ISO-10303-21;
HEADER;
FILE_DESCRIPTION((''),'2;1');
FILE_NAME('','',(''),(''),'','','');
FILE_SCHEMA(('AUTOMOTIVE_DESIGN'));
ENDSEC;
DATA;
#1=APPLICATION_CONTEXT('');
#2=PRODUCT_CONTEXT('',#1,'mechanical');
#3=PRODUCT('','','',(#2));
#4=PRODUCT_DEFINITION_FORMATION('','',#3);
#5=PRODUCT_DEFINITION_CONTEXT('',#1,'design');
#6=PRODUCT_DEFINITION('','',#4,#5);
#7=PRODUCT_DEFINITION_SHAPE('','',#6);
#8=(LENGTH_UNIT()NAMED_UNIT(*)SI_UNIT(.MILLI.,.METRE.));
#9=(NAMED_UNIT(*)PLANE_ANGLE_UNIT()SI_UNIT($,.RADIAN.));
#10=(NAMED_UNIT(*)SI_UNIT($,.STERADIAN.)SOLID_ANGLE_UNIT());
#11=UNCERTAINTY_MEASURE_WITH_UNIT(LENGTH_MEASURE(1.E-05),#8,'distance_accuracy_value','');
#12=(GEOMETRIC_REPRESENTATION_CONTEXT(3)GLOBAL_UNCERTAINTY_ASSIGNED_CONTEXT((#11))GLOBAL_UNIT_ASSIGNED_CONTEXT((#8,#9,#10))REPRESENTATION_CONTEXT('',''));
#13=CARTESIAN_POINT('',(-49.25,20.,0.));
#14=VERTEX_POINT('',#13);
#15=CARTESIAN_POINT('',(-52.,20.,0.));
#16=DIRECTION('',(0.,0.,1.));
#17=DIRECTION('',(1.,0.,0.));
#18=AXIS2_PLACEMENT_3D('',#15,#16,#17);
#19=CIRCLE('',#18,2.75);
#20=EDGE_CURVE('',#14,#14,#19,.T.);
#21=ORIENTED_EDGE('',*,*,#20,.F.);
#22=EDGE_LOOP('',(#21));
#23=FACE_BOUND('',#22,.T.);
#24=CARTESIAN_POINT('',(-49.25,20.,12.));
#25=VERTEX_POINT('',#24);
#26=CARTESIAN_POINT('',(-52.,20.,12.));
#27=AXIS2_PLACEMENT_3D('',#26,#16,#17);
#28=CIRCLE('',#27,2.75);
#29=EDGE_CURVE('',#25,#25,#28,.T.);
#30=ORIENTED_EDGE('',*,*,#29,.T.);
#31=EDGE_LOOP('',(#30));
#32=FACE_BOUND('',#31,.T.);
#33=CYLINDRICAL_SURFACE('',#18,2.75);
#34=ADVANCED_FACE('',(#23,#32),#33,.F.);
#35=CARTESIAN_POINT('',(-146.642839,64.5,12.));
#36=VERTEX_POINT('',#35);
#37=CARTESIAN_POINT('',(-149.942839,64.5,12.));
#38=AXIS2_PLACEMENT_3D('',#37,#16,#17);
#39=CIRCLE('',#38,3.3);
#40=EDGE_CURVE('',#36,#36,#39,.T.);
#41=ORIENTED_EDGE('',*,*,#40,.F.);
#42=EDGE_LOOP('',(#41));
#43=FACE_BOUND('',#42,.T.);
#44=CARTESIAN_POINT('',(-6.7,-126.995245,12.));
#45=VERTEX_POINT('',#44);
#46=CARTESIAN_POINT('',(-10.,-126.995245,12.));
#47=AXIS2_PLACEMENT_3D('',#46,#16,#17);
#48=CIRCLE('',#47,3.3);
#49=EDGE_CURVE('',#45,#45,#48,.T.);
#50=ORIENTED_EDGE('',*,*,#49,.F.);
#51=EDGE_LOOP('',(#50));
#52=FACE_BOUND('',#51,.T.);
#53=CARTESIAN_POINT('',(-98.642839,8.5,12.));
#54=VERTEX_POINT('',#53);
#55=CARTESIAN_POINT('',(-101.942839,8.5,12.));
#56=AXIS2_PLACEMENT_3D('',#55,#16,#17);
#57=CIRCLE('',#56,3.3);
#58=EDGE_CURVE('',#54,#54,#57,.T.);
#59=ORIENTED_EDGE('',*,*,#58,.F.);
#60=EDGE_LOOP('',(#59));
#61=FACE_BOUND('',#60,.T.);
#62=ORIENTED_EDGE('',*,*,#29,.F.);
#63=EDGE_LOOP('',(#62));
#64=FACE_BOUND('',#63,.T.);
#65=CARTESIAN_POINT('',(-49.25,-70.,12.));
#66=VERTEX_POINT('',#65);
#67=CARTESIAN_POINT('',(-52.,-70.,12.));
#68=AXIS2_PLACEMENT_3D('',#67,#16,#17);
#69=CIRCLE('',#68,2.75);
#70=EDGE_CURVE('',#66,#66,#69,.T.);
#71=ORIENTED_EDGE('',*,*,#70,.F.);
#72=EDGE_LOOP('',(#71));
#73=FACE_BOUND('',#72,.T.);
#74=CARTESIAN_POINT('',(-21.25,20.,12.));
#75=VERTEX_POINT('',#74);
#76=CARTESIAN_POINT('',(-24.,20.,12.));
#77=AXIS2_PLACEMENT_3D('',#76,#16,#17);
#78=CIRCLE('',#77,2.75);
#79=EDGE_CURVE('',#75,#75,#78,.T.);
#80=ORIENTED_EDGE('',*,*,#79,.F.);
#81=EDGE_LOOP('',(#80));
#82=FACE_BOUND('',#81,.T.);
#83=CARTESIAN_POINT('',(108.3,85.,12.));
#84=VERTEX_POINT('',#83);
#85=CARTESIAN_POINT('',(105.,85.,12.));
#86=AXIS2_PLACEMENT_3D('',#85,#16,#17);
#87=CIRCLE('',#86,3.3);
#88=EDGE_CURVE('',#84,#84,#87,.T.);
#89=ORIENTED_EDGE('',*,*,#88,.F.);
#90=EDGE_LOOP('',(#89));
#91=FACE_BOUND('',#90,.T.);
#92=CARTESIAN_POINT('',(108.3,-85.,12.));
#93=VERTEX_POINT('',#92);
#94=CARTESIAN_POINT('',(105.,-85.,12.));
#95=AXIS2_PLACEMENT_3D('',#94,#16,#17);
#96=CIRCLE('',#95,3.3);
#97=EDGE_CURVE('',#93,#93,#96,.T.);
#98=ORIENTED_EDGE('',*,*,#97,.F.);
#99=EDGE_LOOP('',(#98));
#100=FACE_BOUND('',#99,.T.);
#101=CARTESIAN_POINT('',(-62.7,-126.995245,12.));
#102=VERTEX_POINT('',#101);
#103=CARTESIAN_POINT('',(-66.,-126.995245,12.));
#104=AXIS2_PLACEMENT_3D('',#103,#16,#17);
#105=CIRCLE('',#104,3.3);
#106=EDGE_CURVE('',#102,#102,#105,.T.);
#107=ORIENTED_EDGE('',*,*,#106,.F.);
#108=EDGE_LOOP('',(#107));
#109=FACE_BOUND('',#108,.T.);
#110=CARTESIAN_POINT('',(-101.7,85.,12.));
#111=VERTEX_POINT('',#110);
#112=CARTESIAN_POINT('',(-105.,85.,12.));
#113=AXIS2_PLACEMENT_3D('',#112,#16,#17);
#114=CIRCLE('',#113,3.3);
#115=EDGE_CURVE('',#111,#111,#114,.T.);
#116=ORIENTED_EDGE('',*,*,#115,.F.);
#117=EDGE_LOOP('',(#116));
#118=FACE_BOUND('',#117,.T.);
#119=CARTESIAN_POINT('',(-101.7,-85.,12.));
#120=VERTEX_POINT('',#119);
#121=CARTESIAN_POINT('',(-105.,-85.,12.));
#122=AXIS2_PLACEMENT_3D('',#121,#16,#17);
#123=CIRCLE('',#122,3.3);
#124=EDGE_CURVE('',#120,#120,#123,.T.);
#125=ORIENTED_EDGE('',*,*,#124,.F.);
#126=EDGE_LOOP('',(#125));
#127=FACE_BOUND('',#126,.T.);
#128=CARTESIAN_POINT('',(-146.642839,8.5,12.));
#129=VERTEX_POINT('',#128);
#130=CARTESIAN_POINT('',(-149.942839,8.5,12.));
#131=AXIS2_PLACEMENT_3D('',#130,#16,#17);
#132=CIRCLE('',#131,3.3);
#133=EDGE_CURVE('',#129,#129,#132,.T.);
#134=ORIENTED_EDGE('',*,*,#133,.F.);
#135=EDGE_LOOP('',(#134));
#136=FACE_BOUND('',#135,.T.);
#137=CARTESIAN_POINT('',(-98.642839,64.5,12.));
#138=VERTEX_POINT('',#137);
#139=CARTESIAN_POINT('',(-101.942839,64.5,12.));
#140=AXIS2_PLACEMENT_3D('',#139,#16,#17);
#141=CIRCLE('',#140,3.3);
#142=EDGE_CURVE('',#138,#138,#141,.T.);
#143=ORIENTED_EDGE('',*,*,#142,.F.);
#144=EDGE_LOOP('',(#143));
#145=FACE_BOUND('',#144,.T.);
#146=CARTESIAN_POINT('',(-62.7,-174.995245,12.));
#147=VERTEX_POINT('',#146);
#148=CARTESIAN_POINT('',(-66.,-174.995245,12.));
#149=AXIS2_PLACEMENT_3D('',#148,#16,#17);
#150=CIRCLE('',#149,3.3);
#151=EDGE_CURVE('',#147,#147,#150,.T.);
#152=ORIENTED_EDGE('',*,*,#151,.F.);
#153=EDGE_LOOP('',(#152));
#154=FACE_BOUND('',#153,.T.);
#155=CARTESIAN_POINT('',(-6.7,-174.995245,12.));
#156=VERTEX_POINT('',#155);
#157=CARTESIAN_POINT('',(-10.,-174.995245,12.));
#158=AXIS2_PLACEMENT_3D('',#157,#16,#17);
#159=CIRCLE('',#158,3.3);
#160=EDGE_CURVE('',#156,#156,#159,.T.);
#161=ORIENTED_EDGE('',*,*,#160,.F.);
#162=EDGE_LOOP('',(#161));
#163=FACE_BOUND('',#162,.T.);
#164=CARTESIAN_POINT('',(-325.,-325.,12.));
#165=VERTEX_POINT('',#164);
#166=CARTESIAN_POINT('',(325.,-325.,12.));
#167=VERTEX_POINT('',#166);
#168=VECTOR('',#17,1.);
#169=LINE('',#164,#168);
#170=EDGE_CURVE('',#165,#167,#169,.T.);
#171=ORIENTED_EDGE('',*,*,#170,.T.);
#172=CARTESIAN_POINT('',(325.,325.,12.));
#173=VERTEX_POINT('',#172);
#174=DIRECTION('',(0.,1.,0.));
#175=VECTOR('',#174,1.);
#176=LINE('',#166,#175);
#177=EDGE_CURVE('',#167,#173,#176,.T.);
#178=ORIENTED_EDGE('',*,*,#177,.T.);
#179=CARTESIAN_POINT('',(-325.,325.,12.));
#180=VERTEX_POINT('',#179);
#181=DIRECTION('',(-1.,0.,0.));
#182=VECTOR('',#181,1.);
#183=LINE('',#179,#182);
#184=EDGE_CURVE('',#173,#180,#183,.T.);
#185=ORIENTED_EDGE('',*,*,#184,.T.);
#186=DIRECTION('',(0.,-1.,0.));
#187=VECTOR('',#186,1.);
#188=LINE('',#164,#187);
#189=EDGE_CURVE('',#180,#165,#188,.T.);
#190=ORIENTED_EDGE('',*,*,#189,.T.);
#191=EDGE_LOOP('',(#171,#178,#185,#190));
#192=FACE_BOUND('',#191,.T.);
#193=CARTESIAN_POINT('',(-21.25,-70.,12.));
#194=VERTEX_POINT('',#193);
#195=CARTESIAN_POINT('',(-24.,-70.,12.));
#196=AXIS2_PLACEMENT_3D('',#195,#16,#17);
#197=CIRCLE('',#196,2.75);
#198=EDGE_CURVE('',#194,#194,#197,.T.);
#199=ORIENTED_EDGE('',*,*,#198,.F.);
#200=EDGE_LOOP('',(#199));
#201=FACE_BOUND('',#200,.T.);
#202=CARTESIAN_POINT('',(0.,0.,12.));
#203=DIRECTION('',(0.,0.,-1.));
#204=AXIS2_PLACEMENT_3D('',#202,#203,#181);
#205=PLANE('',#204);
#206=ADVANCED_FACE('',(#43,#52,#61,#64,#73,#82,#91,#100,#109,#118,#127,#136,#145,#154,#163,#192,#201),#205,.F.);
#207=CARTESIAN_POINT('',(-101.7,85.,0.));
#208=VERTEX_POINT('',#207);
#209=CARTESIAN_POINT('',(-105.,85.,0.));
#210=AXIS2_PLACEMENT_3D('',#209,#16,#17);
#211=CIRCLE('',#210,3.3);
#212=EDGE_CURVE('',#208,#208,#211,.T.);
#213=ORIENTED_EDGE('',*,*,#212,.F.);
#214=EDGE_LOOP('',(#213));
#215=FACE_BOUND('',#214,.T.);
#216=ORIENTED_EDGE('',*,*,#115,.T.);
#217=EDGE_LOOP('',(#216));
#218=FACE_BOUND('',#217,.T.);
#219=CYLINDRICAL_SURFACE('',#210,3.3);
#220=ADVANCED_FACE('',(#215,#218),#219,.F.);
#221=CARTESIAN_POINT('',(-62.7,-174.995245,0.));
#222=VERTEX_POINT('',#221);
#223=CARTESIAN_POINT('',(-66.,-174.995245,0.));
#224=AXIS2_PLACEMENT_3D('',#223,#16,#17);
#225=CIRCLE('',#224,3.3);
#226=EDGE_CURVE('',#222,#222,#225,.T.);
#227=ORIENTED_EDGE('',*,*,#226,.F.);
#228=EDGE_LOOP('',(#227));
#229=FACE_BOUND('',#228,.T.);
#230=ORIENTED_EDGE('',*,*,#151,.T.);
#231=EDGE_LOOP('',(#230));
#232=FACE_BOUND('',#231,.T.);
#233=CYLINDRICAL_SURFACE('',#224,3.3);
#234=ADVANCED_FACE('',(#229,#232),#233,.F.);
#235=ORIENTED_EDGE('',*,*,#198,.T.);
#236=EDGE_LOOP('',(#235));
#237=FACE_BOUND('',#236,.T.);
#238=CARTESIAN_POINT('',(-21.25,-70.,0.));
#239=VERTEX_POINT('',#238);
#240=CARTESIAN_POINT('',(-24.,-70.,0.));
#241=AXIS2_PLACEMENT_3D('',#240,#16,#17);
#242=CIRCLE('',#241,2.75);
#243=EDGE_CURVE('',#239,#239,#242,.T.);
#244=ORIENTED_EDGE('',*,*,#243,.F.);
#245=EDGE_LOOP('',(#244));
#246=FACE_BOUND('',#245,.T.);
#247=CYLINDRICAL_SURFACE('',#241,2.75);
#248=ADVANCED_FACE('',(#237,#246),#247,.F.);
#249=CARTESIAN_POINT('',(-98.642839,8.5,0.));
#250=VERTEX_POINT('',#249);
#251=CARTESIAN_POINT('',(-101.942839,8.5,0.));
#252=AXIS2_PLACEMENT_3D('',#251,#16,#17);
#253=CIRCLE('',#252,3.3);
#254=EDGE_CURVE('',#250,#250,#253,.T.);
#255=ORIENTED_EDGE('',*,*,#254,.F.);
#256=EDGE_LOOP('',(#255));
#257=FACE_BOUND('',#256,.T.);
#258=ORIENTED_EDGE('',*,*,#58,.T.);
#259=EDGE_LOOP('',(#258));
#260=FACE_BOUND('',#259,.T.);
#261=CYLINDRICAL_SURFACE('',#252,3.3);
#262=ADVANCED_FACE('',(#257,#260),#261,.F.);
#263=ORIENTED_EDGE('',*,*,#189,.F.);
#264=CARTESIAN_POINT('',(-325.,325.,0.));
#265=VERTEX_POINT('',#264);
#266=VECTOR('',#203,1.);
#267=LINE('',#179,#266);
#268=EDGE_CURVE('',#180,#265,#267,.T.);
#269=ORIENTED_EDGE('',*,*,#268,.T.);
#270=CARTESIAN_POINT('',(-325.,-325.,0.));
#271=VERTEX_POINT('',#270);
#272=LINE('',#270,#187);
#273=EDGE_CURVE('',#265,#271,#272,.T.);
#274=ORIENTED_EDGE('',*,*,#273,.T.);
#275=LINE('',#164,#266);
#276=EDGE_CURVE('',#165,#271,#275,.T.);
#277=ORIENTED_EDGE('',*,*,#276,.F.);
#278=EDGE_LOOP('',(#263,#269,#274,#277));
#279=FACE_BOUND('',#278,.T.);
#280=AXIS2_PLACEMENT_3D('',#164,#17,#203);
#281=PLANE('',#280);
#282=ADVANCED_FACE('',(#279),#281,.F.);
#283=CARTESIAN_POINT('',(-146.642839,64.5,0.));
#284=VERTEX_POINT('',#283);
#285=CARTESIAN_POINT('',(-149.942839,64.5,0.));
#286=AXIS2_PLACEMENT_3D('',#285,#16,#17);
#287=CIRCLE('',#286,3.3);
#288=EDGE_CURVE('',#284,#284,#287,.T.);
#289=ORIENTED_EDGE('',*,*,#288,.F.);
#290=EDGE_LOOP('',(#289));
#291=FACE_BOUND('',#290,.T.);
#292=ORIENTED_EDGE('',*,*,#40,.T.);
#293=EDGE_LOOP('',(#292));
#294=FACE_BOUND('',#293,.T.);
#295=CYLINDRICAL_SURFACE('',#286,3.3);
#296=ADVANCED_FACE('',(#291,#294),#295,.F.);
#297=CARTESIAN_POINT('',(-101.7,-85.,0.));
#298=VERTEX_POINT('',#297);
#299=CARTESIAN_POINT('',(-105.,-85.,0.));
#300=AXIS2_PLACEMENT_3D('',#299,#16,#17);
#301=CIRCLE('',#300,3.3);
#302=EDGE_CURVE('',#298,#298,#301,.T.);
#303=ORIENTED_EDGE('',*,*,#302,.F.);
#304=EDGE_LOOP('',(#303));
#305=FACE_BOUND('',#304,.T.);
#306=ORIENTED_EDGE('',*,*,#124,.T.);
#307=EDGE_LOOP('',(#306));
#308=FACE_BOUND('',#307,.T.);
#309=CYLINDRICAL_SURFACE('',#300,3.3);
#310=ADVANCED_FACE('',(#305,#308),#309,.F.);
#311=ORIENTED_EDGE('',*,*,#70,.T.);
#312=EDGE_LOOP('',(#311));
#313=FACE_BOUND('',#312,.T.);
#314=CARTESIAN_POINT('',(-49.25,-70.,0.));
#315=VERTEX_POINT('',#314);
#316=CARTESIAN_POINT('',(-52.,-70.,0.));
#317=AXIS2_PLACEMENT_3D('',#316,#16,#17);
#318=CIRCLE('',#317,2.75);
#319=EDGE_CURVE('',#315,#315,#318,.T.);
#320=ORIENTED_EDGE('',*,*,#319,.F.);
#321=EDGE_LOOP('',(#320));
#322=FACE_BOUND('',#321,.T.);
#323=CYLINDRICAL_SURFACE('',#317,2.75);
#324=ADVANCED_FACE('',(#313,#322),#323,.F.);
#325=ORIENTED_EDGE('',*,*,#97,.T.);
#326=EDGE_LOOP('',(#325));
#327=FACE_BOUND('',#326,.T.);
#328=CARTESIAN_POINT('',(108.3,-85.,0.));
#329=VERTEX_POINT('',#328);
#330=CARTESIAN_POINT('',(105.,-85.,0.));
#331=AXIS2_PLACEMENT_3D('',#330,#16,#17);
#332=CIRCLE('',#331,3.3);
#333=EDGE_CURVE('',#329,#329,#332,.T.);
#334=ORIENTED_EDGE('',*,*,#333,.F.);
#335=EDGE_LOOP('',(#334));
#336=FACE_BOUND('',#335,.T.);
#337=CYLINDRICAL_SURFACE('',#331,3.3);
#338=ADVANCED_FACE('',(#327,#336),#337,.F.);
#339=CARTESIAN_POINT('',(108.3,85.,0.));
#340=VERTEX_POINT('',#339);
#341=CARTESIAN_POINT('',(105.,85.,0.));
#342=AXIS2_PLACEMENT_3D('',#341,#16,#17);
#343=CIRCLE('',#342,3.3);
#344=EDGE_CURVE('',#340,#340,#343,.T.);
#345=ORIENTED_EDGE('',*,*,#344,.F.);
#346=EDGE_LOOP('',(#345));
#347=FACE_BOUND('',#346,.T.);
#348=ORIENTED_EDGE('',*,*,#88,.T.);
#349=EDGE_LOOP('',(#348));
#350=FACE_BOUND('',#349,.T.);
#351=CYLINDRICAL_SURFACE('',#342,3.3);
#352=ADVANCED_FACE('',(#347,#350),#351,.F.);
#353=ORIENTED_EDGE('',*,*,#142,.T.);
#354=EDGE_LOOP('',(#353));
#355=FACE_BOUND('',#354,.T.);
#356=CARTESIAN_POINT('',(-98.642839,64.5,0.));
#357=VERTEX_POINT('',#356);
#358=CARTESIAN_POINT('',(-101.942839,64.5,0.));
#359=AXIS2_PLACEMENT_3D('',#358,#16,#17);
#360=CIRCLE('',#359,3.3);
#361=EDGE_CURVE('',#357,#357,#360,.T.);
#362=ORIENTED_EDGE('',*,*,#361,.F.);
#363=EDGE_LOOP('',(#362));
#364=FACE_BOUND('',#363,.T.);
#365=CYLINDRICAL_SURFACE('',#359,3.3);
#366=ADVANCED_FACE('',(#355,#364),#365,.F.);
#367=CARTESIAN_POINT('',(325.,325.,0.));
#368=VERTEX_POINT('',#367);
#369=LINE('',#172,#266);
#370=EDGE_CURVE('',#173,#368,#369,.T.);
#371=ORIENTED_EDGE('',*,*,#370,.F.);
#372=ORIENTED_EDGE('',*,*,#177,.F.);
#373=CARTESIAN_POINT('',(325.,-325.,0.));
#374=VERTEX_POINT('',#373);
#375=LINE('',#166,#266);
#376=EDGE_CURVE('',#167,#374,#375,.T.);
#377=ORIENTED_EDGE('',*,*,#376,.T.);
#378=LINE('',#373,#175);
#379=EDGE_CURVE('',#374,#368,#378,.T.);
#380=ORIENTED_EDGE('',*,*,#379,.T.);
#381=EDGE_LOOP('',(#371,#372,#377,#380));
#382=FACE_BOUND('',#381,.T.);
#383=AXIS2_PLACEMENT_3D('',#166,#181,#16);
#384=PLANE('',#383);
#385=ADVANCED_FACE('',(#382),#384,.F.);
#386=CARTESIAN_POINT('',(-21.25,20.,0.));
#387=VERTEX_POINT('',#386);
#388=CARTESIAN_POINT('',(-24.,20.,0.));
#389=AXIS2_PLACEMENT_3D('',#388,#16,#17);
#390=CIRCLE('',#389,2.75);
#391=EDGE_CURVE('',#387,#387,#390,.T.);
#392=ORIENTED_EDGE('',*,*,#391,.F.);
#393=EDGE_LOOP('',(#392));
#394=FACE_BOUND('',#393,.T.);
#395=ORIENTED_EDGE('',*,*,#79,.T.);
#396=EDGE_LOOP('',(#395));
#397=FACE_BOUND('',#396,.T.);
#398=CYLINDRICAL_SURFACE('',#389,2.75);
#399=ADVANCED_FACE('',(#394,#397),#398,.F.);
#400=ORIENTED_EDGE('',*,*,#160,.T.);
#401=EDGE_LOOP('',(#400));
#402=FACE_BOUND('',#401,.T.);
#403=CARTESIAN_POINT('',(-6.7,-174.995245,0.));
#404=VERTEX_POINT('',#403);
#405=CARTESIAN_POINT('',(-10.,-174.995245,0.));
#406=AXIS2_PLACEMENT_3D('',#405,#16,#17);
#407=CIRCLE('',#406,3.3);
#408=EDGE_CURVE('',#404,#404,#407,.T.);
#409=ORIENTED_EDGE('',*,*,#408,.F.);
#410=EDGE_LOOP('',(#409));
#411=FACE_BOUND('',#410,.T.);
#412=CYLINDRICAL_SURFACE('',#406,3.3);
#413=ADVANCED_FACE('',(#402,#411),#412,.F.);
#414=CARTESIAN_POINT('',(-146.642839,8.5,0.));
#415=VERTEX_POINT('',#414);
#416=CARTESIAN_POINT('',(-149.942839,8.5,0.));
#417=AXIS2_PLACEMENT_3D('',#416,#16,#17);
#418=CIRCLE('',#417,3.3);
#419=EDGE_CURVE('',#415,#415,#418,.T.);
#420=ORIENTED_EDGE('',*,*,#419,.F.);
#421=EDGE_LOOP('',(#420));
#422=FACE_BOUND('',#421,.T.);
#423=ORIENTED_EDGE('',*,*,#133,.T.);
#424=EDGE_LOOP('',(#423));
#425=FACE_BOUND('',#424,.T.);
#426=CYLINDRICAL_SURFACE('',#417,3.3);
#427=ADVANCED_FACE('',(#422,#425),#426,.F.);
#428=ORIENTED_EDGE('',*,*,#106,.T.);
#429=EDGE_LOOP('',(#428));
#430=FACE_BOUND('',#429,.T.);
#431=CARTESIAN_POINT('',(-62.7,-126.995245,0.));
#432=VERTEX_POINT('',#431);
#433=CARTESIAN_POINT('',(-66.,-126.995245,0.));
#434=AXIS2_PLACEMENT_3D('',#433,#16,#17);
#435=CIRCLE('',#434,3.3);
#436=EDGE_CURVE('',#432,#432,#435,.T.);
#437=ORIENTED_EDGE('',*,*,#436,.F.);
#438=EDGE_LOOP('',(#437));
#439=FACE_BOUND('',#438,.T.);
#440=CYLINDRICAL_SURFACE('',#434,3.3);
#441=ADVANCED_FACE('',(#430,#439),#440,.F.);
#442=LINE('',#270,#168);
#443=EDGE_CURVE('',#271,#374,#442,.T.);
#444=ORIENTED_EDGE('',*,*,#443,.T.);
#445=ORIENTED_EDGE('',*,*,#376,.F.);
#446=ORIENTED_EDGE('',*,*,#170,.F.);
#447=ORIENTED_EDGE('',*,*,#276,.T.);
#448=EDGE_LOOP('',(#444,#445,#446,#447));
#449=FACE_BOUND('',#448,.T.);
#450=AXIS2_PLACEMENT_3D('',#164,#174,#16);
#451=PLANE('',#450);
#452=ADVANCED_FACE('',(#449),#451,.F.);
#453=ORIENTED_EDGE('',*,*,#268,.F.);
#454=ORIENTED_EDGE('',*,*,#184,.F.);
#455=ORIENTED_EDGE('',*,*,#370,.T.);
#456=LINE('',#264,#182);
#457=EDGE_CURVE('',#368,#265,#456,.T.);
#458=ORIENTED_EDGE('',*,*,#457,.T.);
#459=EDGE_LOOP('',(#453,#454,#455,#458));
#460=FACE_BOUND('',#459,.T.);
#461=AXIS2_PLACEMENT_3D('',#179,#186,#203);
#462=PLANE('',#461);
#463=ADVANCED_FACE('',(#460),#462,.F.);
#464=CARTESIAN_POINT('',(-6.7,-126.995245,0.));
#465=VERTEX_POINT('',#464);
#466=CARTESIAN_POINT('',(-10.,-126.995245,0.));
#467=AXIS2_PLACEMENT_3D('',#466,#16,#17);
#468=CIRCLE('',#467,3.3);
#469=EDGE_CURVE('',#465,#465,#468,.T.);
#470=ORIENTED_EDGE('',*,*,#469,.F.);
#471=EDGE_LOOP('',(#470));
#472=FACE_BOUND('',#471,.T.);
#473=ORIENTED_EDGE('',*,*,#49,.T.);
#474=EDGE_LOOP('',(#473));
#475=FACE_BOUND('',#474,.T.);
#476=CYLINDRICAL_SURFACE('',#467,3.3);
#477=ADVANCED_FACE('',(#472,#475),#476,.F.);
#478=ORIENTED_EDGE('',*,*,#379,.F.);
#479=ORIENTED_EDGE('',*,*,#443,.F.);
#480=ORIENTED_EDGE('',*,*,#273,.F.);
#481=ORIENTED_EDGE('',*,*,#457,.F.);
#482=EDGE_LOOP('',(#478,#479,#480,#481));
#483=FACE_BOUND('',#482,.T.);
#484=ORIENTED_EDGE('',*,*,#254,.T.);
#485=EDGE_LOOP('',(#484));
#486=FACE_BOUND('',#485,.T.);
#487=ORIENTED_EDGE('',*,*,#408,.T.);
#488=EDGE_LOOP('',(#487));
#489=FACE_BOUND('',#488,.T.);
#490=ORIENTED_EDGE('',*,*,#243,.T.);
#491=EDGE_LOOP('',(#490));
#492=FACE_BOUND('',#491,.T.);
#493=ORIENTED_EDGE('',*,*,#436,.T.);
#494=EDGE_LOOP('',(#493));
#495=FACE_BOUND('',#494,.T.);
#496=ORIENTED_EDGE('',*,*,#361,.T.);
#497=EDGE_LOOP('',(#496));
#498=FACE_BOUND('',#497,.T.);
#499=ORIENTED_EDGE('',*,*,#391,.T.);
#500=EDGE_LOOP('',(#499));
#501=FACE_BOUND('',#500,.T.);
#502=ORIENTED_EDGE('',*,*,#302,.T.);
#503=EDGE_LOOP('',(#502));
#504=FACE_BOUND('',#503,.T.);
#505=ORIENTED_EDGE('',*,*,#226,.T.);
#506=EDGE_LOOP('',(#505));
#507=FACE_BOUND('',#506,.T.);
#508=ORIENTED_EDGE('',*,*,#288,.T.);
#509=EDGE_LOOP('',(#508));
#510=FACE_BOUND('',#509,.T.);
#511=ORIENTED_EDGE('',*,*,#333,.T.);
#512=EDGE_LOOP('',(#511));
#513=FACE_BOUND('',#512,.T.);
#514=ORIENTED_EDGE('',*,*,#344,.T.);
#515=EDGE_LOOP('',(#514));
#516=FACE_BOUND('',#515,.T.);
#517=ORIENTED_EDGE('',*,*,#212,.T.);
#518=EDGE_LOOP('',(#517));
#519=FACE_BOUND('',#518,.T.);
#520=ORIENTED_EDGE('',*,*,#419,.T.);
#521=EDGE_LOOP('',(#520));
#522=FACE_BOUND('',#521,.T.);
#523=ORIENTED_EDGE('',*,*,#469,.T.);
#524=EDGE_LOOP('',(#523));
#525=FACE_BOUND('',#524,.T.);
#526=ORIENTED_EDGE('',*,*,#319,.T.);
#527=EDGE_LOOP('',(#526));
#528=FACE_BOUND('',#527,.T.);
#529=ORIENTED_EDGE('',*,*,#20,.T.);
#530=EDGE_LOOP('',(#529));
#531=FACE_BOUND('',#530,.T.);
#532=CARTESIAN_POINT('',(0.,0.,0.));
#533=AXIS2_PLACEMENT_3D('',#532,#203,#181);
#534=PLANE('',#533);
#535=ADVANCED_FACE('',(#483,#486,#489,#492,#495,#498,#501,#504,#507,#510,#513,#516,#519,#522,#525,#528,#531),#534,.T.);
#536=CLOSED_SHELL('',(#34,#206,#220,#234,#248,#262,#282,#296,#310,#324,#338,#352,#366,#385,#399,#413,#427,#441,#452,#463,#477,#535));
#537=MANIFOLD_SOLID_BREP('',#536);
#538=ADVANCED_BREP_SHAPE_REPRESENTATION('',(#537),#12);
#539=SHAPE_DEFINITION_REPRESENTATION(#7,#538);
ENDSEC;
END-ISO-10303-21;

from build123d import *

# Parameters (mm, degrees)
SKETCH1_W                                = 650
SKETCH1_H                                = 650
BENCH_PLATE_DEPTH                        = 12
SKETCH2_R                                = 3.3
BENCH_M6_ANCHOR_HOLES_12X_D6P6_DEPTH     = 12
SKETCH3_R                                = 2.75
BENCH_M5_SUPPORTPOST_HOLES_4X_D5P5_DEPTH = 12


with BuildPart() as part:
    # Sketch1 → Bench_Plate (new body)
    with BuildSketch(Plane.XY):
        Rectangle(SKETCH1_W, SKETCH1_H)
    extrude(amount=BENCH_PLATE_DEPTH)

    # Sketch2 → Bench_M6_Anchor_Holes_12x_D6p6 (cut)
    with BuildSketch(Plane.XY.offset(12)):
        with Locations((-105, -85)):
            Circle(SKETCH2_R)
        with Locations((-105, 85)):
            Circle(SKETCH2_R)
        with Locations((105, -85)):
            Circle(SKETCH2_R)
        with Locations((105, 85)):
            Circle(SKETCH2_R)
        with Locations((-149.942838923, 8.5)):
            Circle(SKETCH2_R)
        with Locations((-101.942838923, 8.5)):
            Circle(SKETCH2_R)
        with Locations((-149.942838923, 64.5)):
            Circle(SKETCH2_R)
        with Locations((-101.942838923, 64.5)):
            Circle(SKETCH2_R)
        with Locations((-10, -174.995245402)):
            Circle(SKETCH2_R)
        with Locations((-10, -126.995245402)):
            Circle(SKETCH2_R)
        with Locations((-66, -174.995245402)):
            Circle(SKETCH2_R)
        with Locations((-66, -126.995245402)):
            Circle(SKETCH2_R)
    extrude(amount=-BENCH_M6_ANCHOR_HOLES_12X_D6P6_DEPTH, mode=Mode.SUBTRACT)

    # Sketch3 → Bench_M5_SupportPost_Holes_4x_D5p5 (cut)
    with BuildSketch(Plane.XY.offset(12)):
        with Locations((-52, -70)):
            Circle(SKETCH3_R)
        with Locations((-52, 20)):
            Circle(SKETCH3_R)
        with Locations((-24, -70)):
            Circle(SKETCH3_R)
        with Locations((-24, 20)):
            Circle(SKETCH3_R)
    extrude(amount=-BENCH_M5_SUPPORTPOST_HOLES_4X_D5P5_DEPTH, mode=Mode.SUBTRACT)


solid = part.part
